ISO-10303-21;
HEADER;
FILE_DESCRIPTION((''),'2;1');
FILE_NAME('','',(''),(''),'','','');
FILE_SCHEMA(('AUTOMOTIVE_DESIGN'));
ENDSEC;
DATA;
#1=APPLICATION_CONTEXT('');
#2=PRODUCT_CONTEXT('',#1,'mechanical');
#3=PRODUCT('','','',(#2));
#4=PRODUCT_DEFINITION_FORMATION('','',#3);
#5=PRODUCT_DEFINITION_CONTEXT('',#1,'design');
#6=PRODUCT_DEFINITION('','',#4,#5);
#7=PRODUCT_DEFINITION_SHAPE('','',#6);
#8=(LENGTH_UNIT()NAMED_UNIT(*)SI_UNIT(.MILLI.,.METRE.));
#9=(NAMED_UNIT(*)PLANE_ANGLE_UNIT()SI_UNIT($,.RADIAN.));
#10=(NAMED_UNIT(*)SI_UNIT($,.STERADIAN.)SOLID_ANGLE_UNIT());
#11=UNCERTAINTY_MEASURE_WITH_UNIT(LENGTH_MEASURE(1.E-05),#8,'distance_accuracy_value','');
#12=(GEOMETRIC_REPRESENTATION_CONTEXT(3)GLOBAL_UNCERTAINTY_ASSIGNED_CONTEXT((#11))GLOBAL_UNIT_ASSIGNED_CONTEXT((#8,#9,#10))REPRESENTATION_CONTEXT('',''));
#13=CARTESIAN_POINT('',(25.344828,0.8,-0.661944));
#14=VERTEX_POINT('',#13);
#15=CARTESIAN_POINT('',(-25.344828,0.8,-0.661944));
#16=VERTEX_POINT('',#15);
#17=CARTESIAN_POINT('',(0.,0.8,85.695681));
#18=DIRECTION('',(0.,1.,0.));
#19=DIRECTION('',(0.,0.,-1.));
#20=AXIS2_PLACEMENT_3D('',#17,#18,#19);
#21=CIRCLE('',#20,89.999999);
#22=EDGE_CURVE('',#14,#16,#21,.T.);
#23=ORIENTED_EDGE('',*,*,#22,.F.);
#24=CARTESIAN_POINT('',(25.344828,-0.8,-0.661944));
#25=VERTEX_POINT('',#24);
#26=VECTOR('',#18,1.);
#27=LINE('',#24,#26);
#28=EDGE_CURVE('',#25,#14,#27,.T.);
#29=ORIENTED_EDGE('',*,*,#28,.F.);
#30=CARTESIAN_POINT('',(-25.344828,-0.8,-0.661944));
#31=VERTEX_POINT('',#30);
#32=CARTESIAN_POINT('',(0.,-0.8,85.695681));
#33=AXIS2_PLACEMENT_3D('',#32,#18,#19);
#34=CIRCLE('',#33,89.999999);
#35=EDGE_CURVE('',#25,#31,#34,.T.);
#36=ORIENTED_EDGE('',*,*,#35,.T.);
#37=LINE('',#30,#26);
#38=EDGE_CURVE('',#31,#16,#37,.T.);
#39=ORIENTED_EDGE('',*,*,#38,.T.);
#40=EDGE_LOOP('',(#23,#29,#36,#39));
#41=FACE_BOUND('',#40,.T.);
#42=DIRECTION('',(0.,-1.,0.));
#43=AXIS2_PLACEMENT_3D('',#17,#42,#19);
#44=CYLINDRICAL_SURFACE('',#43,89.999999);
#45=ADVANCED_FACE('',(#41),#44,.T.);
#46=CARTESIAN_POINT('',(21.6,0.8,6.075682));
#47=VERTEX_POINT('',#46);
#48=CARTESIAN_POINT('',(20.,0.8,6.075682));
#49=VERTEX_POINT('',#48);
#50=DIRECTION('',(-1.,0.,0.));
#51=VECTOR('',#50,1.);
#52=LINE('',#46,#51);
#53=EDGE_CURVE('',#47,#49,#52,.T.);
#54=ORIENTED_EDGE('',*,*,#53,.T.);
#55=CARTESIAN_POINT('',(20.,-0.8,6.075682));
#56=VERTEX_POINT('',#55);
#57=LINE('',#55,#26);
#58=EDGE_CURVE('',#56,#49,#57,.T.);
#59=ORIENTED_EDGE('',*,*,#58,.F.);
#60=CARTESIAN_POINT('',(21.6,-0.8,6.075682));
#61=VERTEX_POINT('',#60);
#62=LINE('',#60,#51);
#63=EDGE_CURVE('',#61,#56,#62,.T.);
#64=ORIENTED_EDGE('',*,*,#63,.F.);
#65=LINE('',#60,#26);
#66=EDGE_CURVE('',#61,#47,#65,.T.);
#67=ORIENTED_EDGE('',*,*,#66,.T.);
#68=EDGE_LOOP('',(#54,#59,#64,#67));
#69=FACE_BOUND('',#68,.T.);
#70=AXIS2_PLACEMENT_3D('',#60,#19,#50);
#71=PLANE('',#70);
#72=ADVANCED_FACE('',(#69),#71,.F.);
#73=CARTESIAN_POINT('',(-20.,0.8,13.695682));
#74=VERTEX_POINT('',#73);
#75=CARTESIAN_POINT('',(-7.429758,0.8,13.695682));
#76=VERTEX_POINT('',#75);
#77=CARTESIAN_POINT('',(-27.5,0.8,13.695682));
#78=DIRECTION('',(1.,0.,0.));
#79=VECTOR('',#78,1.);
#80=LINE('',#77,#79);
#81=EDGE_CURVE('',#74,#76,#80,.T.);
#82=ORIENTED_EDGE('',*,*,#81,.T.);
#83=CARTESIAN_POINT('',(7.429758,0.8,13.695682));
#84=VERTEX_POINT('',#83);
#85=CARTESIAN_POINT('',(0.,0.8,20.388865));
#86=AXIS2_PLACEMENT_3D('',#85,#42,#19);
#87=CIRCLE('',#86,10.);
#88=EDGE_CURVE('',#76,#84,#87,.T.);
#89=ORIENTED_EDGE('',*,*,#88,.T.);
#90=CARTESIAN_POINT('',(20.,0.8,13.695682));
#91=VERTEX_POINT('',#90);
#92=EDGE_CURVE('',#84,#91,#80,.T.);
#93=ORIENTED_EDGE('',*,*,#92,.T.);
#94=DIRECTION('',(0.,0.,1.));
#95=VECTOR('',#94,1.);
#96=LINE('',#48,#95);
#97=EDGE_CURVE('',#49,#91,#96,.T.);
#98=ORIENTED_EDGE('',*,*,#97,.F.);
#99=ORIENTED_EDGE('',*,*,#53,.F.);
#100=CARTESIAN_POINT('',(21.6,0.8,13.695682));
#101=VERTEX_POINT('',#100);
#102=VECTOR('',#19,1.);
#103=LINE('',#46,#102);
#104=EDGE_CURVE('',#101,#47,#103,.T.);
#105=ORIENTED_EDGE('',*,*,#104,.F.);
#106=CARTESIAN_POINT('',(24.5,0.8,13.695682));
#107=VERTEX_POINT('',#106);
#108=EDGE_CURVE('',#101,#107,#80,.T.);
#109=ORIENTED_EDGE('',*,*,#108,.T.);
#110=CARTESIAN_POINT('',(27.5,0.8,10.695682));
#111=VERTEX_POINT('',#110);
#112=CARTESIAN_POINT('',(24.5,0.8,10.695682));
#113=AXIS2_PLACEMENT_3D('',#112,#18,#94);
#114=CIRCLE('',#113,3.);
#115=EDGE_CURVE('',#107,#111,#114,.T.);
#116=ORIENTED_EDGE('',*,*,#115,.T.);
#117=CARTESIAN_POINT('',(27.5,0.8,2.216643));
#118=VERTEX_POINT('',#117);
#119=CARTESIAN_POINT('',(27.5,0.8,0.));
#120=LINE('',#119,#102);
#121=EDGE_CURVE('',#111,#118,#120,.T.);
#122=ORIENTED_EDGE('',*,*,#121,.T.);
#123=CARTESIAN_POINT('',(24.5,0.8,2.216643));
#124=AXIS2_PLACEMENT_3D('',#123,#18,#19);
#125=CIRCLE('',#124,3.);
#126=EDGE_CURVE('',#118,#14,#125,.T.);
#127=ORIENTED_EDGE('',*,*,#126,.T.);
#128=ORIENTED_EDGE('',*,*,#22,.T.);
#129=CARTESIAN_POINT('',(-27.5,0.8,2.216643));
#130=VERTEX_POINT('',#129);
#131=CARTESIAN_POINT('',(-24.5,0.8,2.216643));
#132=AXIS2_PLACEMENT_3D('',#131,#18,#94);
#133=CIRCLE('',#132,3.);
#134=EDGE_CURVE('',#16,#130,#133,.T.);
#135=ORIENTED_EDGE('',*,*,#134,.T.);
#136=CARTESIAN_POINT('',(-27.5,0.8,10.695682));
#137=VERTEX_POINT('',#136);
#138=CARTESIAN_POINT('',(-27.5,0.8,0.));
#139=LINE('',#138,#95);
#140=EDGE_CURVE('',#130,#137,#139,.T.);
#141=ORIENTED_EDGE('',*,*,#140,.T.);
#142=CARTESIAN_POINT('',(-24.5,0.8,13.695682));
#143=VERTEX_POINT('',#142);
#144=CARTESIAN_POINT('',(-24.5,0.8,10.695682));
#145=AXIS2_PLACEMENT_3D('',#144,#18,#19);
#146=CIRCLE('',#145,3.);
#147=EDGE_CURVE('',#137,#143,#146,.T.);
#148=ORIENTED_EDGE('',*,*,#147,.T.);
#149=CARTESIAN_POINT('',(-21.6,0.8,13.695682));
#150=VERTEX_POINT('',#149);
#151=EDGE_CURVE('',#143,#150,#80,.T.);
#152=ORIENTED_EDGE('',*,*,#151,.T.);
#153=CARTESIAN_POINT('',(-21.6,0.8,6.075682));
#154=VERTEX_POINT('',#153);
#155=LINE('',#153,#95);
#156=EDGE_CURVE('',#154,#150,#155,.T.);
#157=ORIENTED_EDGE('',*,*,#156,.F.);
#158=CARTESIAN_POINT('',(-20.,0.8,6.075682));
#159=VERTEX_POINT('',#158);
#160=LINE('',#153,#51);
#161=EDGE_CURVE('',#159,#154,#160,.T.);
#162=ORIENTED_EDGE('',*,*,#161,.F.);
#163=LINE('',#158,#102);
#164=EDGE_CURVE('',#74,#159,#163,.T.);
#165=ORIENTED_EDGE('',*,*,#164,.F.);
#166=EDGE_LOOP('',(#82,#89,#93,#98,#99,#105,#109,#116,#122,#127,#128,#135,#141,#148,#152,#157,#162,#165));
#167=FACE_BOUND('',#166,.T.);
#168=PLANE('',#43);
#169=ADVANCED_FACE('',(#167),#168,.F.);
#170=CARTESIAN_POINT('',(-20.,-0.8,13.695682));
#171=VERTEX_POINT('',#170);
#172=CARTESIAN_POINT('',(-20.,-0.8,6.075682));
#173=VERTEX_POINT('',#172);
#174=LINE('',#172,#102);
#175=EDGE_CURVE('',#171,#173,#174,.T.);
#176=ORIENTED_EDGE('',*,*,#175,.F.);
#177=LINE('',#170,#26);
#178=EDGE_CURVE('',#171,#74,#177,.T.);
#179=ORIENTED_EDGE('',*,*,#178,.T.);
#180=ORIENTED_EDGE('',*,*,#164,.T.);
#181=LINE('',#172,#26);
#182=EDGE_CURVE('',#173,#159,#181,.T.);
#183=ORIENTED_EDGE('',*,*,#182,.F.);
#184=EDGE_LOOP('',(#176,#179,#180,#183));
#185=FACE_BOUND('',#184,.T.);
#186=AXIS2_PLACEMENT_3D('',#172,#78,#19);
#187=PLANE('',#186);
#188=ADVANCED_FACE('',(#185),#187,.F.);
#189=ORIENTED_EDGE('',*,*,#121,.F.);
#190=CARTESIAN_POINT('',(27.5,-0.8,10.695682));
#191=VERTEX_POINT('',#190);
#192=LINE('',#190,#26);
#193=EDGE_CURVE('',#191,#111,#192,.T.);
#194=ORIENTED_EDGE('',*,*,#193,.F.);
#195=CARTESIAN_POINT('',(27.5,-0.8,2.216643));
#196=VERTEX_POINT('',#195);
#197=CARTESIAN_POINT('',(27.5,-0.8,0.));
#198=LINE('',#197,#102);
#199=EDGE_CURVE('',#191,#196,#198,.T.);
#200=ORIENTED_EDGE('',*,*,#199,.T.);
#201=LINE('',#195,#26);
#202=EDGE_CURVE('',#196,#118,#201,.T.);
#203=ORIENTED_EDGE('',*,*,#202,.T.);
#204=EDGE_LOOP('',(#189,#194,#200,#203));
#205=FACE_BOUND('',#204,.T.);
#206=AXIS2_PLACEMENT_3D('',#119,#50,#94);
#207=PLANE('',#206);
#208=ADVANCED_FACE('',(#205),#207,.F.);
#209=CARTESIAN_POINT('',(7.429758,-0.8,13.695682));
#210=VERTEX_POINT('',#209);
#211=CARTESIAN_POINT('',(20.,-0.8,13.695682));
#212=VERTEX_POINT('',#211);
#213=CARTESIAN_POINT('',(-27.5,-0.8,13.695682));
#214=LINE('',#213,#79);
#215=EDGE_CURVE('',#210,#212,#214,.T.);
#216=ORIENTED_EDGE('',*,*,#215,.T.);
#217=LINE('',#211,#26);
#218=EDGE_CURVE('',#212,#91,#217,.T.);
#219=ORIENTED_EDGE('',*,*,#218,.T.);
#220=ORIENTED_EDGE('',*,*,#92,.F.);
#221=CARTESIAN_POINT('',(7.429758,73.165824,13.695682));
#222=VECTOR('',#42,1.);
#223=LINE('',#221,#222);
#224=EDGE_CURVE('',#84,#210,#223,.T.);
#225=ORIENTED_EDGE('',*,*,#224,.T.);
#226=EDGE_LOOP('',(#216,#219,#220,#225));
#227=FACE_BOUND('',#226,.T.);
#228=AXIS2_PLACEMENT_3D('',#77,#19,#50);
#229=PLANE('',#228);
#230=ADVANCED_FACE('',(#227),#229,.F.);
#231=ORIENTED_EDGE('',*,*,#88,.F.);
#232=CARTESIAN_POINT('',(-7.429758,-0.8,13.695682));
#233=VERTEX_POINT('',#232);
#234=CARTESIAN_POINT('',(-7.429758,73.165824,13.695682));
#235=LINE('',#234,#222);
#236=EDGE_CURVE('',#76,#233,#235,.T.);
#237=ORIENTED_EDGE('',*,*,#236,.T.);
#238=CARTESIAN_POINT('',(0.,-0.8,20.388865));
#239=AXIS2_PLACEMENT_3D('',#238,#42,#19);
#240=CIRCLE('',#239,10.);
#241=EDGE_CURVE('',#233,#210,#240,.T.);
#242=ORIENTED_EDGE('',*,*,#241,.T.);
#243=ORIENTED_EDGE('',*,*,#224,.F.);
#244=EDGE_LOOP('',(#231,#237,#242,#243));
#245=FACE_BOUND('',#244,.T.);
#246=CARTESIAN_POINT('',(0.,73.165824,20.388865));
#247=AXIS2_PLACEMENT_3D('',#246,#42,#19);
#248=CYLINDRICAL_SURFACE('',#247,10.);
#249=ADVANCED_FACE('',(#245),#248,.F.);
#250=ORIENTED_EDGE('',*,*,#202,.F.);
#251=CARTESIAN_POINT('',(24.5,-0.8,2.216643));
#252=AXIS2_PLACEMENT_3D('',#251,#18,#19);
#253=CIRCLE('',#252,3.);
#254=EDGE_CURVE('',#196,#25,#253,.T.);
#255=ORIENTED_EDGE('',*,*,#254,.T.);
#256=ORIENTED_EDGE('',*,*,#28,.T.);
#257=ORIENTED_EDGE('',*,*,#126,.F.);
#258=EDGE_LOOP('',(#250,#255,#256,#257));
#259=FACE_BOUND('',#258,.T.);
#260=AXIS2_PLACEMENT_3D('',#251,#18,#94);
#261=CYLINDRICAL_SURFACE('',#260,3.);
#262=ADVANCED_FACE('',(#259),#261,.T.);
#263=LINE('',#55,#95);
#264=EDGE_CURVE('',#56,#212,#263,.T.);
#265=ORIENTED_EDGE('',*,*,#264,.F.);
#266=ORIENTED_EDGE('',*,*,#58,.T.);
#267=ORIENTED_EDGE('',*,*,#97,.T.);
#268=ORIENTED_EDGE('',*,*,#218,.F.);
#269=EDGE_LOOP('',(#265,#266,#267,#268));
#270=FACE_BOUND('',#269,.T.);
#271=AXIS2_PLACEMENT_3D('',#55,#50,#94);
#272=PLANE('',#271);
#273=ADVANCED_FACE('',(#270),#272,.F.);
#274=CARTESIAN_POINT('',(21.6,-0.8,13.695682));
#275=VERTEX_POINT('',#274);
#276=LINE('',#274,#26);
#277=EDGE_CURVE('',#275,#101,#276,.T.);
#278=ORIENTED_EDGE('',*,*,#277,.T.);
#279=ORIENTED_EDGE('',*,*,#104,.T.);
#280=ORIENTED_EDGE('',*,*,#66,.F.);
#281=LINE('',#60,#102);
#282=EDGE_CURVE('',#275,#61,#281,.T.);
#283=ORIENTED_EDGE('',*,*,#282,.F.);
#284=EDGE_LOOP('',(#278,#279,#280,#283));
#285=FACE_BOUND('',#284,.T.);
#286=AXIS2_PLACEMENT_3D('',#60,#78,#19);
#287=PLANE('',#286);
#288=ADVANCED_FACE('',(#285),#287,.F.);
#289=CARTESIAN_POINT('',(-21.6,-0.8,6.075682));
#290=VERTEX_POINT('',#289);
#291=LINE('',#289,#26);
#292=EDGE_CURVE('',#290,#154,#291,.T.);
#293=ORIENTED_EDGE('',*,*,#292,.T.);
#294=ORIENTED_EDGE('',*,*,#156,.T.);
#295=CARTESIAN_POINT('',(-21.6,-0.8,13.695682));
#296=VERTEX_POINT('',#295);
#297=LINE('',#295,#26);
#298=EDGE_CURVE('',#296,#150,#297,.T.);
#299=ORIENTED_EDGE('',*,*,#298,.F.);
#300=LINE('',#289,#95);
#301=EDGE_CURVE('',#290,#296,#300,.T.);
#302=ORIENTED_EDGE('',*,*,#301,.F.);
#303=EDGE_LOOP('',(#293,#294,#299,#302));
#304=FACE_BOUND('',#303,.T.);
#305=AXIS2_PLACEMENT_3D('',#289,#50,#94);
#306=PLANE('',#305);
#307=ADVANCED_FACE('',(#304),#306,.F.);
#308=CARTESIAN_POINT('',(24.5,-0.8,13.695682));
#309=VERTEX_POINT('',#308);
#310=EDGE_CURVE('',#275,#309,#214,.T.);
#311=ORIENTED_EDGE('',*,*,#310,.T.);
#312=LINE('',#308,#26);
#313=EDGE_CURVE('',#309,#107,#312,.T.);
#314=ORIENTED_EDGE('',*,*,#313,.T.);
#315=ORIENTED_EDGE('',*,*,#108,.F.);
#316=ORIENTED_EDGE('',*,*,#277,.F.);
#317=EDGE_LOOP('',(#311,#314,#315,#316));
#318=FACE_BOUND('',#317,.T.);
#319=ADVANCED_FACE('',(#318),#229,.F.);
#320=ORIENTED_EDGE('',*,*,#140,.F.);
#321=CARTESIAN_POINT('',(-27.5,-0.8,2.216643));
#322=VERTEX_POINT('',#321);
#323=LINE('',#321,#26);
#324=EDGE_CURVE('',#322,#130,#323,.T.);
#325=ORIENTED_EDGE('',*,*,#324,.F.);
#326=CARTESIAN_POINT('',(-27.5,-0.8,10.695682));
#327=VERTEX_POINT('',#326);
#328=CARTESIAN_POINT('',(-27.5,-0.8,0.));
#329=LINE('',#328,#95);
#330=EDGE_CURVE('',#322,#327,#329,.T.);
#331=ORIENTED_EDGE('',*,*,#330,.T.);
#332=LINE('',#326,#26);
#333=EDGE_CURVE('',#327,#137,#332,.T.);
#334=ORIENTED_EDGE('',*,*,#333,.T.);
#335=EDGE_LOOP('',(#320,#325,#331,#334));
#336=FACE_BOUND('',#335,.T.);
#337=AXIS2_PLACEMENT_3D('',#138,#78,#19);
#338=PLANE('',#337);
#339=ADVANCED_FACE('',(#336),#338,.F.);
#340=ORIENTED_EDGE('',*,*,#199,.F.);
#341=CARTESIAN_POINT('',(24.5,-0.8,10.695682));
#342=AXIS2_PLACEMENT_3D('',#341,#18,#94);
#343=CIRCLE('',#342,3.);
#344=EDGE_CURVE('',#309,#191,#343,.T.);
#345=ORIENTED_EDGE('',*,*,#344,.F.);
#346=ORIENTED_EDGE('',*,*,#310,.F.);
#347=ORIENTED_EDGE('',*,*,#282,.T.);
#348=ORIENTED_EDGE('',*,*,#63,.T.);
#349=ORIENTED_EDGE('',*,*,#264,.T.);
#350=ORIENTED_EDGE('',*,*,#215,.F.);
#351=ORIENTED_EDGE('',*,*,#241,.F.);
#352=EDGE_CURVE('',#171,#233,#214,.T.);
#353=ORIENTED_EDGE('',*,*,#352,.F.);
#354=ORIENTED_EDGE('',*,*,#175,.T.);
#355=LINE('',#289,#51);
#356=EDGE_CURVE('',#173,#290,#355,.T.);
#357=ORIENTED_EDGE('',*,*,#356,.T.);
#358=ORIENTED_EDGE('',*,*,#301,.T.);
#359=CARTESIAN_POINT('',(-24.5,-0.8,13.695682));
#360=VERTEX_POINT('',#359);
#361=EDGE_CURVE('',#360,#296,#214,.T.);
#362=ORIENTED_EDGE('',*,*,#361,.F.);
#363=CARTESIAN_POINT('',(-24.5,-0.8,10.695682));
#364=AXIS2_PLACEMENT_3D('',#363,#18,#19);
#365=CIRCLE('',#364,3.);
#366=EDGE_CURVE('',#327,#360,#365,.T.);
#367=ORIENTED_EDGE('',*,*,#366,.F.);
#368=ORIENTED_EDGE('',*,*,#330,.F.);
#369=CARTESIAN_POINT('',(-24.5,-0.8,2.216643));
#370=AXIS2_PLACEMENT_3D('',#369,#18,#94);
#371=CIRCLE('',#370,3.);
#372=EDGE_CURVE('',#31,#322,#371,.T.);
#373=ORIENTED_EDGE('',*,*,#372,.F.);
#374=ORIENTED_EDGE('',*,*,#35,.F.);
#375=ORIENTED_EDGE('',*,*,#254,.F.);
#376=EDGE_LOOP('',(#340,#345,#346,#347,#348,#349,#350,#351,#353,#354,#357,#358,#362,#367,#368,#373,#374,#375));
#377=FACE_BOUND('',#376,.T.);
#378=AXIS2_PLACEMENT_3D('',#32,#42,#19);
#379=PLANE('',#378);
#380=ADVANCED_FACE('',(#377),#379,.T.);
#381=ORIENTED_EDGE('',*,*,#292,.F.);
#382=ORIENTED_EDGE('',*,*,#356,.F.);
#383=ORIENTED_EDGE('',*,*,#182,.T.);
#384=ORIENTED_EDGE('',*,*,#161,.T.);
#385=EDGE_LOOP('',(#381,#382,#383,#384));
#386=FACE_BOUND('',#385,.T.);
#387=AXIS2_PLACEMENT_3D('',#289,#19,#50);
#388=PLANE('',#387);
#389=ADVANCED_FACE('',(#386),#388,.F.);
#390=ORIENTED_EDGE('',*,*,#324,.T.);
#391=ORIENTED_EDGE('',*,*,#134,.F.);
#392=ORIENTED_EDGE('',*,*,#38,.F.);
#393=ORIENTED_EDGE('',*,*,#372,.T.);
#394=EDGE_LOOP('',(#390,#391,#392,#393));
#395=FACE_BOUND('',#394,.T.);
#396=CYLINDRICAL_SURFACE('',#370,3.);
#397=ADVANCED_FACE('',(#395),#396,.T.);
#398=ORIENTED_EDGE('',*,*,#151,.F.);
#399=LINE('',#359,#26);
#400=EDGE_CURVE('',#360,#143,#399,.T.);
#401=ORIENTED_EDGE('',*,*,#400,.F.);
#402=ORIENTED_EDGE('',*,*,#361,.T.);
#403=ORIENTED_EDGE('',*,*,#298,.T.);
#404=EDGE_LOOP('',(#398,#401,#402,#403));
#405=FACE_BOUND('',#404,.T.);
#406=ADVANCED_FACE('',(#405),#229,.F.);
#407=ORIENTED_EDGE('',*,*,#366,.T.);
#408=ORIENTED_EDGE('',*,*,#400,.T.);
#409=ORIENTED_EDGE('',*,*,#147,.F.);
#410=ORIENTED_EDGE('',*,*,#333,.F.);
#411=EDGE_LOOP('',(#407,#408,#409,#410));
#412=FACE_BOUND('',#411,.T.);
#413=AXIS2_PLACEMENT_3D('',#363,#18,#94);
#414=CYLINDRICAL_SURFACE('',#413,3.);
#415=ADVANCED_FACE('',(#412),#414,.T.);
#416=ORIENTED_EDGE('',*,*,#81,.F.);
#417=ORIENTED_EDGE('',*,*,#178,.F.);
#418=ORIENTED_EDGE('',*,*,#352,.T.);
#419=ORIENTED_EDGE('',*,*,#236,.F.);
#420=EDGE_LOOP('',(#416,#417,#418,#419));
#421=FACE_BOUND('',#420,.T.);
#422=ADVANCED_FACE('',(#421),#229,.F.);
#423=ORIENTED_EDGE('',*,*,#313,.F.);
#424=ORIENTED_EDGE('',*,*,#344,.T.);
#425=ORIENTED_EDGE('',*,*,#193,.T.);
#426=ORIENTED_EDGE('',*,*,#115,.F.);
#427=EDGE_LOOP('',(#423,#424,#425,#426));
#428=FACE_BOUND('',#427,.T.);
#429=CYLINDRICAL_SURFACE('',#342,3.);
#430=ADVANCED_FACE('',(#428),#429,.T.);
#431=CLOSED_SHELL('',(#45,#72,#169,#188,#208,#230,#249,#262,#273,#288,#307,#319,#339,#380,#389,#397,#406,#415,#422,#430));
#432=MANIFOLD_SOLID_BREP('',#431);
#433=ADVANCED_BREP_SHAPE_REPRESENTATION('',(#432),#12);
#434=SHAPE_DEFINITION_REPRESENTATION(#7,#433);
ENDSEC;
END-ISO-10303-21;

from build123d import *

# Parameters (mm, degrees)
P_IDAT_VYSUNUT_M1_DEPTH       = 0.8
SKICA3_OUTSIDE_W              = 68.578
SKICA3_OUTSIDE_H              = 31.578
ODEBRAT_VYSUNUT_M2_DEPTH      = 31.763317725
SKICA2_W                      = 1.6
SKICA2_H                      = 7.62
ODEBRAT_VYSUNUT_M1_DEPTH      = 31.763317725
ODEBRAT_VYSUNUT_M3_DEPTH      = 31.763317725
ODEBRAT_VYSUNUT_M3_DEPTH_BACK = 31.763317725


with BuildPart() as part:
    # Skica1 → Přidat vysunutím1 (new, symmetric)
    with BuildSketch(Plane(origin=(0, 0, 0), x_dir=(1, 0, 0), z_dir=(0, 1, 0))):
        with BuildLine():
            Line((-27.5, 0), (-27.5, -13.695682438))
            Line((-27.5, -13.695682438), (27.5, -13.695682438))
            Line((27.5, -13.695682438), (27.5, 0))
            ThreePointArc((27.5, 0), (0, 4.304317562), (-27.5, 0))
        make_face()
    extrude(amount=P_IDAT_VYSUNUT_M1_DEPTH, both=True)

    # Skica3 outside → Odebrat vysunutím2 (cut, through all)
    with BuildSketch(Plane(origin=(0, 0.8, 0), x_dir=(1, 0, 0), z_dir=(0, 1, 0))):
        with Locations((0, -4.696)):
            Rectangle(SKICA3_OUTSIDE_W, SKICA3_OUTSIDE_H)
        with BuildLine():
            Line((-27.5, -2.216643209), (-27.5, -10.695682438))
            ThreePointArc((-27.5, -10.695682438), (-26.621320344, -12.817002782), (-24.5, -13.695682438))
            Line((-24.5, -13.695682438), (24.5, -13.695682438))
            ThreePointArc((24.5, -13.695682438), (26.621320344, -12.817002782), (27.5, -10.695682438))
            Line((27.5, -10.695682438), (27.5, -2.216643209))
            ThreePointArc((27.5, -2.216643209), (26.901508151, -0.418655834), (25.344827599, 0.661944349))
            ThreePointArc((25.344827599, 0.661944349), (0, 4.304317562), (-25.344827599, 0.661944349))
            ThreePointArc((-25.344827599, 0.661944349), (-26.901508151, -0.418655834), (-27.5, -2.216643209))
        make_face(mode=Mode.SUBTRACT)
    extrude(amount=-ODEBRAT_VYSUNUT_M2_DEPTH, mode=Mode.SUBTRACT)

    # Skica2 → Odebrat vysunutím1 (cut, through all)
    with BuildSketch(Plane(origin=(0, 0.8, 0), x_dir=(1, 0, 0), z_dir=(0, 1, 0))):
        with Locations((-20.8, -9.885682438)):
            Rectangle(SKICA2_W, SKICA2_H)
        with Locations((20.8, -9.885682438)):
            Rectangle(SKICA2_W, SKICA2_H)
    extrude(amount=-ODEBRAT_VYSUNUT_M1_DEPTH, mode=Mode.SUBTRACT)

    # Skica6 → Odebrat vysunutím3 (cut, two sides: drawn at the far end of the back side and taken through both)
    with BuildSketch(Plane(origin=(0, 0.8, 0), x_dir=(1, 0, 0), z_dir=(0, 1, 0)).offset(-ODEBRAT_VYSUNUT_M3_DEPTH_BACK)):
        with BuildLine():
            Line((-66.724509211, -79.51573971), (-7.429758187, -13.695682438))
            ThreePointArc((-7.429758187, -13.695682438), (0, -10.388865035), (7.429758187, -13.695682438))
            Line((7.429758187, -13.695682438), (66.724509211, -79.51573971))
            Line((66.724509211, -79.51573971), (66.724509211, -256.69528072))
            Line((66.724509211, -256.69528072), (-66.724509211, -256.69528072))
            Line((-66.724509211, -256.69528072), (-66.724509211, -79.51573971))
        make_face()
    extrude(amount=ODEBRAT_VYSUNUT_M3_DEPTH + ODEBRAT_VYSUNUT_M3_DEPTH_BACK, mode=Mode.SUBTRACT)


solid = part.part
